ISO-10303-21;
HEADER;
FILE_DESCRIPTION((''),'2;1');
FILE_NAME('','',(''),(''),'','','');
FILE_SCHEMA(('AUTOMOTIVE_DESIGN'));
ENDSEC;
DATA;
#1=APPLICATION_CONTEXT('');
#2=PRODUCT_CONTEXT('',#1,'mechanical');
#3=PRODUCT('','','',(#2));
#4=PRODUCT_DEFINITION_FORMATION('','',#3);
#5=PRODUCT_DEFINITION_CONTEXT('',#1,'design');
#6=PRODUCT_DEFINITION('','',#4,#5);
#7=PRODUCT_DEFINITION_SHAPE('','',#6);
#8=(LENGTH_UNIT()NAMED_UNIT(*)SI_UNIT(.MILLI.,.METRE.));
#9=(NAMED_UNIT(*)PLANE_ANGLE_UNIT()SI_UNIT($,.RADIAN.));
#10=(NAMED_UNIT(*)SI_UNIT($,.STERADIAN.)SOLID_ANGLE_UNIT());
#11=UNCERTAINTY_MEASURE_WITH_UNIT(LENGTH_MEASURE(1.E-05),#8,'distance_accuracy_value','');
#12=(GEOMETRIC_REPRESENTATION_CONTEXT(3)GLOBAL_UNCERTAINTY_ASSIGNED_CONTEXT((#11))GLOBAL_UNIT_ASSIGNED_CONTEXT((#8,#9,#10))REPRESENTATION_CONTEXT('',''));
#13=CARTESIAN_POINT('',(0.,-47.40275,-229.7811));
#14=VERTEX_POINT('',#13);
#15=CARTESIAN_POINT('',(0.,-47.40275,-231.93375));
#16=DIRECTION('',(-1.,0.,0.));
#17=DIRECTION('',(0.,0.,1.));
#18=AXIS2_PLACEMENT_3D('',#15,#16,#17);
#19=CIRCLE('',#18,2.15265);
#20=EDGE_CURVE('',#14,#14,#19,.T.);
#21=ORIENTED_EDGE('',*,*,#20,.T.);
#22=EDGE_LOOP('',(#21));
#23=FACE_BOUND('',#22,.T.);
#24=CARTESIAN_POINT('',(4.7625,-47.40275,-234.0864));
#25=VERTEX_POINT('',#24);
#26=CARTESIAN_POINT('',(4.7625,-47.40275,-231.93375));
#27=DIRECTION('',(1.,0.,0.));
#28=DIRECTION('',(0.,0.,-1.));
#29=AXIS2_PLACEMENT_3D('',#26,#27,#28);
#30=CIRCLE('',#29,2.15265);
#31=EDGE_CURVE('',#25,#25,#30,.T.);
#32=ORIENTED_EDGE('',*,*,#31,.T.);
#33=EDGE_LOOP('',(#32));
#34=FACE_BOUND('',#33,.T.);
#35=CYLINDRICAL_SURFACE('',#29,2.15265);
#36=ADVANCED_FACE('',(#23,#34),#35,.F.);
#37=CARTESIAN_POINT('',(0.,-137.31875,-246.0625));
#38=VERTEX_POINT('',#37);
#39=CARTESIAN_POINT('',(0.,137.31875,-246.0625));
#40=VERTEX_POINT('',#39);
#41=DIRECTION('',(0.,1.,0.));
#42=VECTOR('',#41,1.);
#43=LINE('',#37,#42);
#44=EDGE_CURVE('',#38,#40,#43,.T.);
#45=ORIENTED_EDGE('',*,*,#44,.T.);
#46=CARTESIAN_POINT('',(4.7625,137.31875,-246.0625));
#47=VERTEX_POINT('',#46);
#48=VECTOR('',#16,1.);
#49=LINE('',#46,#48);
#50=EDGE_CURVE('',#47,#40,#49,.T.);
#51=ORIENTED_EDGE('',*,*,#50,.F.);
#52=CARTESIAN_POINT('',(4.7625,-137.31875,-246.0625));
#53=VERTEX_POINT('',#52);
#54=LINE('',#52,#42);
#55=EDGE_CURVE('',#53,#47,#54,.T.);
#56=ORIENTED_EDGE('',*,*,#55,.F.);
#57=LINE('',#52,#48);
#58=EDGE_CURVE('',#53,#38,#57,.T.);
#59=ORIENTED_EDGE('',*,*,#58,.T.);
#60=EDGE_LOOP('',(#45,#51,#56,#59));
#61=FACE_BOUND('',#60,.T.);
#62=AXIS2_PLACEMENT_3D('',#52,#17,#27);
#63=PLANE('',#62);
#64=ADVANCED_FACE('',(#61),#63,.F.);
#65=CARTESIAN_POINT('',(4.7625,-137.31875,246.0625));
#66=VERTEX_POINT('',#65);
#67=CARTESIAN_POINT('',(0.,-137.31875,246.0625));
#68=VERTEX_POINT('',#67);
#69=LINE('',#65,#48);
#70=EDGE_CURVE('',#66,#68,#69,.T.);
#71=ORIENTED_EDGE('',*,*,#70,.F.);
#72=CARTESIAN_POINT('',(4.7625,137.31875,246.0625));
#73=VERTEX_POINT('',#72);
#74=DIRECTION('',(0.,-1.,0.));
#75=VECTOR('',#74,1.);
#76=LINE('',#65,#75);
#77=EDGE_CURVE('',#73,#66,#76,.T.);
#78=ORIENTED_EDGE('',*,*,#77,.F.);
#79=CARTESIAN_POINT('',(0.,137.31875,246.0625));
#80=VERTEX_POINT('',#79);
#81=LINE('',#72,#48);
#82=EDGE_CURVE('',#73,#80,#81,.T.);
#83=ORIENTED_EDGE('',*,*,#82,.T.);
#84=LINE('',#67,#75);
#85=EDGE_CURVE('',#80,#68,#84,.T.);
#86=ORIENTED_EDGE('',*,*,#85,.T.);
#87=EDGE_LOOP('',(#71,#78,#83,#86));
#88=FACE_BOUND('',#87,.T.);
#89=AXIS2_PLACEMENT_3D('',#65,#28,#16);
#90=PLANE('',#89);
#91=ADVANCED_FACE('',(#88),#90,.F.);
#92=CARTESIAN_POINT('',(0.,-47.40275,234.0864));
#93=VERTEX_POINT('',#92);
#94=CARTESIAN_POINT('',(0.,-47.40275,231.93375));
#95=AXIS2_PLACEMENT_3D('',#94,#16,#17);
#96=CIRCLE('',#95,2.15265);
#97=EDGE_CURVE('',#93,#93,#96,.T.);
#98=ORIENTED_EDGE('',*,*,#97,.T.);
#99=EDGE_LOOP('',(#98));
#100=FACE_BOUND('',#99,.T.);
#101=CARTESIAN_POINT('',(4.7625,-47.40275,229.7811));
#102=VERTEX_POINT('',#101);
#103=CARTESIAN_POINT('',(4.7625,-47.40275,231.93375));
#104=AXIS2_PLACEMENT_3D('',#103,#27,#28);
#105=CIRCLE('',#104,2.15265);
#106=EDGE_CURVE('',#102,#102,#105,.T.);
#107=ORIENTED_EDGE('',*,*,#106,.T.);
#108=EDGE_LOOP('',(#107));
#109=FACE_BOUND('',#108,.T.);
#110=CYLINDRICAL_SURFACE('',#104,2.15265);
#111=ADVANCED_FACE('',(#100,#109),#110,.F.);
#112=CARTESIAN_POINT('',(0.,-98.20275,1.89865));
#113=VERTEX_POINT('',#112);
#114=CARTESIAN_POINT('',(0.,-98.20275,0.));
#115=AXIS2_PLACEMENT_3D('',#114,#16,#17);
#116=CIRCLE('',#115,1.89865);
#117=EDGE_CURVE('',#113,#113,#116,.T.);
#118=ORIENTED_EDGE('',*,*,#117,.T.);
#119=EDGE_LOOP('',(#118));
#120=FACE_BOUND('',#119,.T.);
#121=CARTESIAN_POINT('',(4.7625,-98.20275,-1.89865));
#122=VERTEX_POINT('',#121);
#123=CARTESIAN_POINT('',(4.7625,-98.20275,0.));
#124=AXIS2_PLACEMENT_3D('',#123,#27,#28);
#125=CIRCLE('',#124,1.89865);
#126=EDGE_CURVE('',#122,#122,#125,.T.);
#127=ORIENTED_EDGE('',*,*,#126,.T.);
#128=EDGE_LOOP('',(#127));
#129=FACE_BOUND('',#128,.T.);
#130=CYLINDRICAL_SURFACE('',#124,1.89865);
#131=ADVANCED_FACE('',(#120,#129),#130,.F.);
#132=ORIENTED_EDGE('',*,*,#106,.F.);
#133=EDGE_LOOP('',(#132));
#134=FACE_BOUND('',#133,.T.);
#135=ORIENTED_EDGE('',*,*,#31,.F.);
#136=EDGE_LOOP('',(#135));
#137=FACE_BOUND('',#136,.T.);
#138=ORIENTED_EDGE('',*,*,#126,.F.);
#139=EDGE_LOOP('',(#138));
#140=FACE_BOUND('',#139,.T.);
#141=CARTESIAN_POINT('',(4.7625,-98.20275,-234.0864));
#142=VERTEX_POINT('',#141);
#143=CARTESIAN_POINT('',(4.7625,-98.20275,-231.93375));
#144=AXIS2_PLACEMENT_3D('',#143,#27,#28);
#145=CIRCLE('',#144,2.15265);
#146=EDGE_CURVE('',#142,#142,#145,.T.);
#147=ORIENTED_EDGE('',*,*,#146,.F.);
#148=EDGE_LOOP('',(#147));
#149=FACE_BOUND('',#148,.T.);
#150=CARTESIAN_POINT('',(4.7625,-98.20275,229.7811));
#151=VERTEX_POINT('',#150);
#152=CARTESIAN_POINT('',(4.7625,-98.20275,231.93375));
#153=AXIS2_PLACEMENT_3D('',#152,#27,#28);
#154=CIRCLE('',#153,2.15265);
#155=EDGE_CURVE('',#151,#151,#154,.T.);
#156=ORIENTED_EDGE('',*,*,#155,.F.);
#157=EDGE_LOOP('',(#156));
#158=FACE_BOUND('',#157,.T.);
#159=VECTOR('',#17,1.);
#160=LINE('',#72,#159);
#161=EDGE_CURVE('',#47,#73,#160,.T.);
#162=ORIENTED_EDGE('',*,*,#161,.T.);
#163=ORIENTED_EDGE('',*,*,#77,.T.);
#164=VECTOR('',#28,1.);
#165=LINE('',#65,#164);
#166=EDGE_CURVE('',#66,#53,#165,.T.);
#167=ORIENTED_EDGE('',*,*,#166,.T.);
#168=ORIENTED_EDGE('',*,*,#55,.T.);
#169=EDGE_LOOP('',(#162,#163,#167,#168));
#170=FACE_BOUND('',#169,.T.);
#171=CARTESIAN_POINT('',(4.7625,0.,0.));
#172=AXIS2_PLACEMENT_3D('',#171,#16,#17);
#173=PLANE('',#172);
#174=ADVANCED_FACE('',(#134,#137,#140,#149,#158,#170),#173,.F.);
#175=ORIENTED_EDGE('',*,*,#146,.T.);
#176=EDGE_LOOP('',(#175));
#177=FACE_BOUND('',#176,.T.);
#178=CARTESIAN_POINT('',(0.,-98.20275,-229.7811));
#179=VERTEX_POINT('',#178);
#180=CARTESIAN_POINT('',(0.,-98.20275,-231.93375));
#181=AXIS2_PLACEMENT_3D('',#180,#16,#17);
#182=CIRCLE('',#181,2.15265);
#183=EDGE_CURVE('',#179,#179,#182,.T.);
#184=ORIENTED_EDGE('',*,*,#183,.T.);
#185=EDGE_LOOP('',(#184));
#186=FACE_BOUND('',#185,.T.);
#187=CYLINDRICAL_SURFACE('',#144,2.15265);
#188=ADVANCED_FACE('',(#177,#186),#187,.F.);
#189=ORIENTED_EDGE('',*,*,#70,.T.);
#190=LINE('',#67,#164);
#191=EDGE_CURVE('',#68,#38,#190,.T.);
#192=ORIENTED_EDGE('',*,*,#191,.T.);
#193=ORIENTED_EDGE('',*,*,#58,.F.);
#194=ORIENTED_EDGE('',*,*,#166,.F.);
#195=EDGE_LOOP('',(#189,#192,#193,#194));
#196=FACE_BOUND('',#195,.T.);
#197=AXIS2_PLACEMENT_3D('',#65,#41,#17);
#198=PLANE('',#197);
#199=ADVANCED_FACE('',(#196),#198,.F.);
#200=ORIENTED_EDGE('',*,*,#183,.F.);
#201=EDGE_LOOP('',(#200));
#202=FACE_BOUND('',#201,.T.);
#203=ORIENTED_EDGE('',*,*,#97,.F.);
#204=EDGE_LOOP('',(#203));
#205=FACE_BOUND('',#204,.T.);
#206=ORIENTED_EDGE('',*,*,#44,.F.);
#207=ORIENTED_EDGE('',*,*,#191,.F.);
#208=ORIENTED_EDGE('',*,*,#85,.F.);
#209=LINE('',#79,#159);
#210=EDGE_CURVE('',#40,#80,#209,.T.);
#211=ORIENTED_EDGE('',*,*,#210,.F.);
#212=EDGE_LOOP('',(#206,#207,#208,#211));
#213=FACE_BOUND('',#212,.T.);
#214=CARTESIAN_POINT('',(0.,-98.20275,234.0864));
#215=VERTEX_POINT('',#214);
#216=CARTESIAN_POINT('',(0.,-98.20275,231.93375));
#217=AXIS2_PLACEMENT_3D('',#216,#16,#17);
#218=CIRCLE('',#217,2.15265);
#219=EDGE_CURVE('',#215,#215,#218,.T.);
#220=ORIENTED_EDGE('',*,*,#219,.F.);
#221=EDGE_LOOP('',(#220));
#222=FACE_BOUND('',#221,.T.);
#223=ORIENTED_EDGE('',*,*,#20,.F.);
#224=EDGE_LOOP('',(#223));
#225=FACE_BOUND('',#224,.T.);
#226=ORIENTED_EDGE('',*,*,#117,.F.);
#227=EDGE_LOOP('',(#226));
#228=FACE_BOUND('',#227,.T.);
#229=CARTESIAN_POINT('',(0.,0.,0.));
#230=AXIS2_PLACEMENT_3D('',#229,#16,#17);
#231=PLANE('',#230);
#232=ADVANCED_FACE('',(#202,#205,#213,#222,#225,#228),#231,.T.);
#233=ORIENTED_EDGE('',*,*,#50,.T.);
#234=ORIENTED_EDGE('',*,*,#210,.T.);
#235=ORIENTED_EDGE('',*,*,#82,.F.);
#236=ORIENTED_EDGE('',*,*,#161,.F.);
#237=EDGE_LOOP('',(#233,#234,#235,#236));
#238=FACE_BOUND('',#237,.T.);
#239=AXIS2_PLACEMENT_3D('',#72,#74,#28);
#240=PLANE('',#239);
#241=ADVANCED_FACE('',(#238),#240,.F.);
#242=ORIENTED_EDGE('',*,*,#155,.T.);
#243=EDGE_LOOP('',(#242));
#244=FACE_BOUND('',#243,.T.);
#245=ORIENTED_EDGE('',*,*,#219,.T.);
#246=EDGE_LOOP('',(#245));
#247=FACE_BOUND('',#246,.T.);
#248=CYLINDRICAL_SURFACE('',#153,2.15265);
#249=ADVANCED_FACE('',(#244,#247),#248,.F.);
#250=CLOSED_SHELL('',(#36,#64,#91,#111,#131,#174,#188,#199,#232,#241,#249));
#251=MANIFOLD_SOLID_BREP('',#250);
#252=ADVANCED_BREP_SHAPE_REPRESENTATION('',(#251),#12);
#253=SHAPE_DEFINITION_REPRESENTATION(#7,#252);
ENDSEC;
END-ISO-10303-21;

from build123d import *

# Parameters (mm, degrees)
SKETCH1_W                 = 492.125
SKETCH1_H                 = 274.6375
BOSS_EXTRUDE1_DEPTH       = 4.7625
CUT_EXTRUDE1_REACH        = 6.763
BOSS_EXTRUDE2_REACH       = 494.125
SKETCH3_W                 = 4.7625
SKETCH3_H                 = 274.6375
F_8_CLEARANCE_HOLE1_D     = 4.3053
F_8_CLEARANCE_HOLE1_DEPTH = 74.422
F_8_CLEARANCE_HOLE1_TIP   = 1.293442612
F_6_CLEARANCE_HOLE1_D     = 3.7973
F_6_CLEARANCE_HOLE1_DEPTH = 25.4
F_6_CLEARANCE_HOLE1_TIP   = 1.140824014


with BuildPart() as part:
    # Sketch1 → Boss-Extrude1 (new body)
    with BuildSketch(Plane(origin=(0, 0, 0), x_dir=(0, 0, -1), z_dir=(1, 0, 0))):
        Rectangle(SKETCH1_W, SKETCH1_H)
    extrude(amount=BOSS_EXTRUDE1_DEPTH)

    # Sketch2 → Cut-Extrude1 (cut, up to next)
    with BuildSketch(Plane(origin=(4.7625, 0, 0), x_dir=(0, 0, -1), z_dir=(1, 0, 0)), mode=Mode.PRIVATE) as cut_extrude1_sk1:
        Polygon((-24.852813742, -60), (24.852813742, -60), (42.426406871, -42.426406871), (60, -24.852813742), (60, 24.852813742), (24.852813742, 60), (-24.852813742, 60), (-60, 24.852813742), (-60, -24.852813742), align=None)
    cut_extrude1_tool1 = extrude(cut_extrude1_sk1.sketch, amount=-CUT_EXTRUDE1_REACH, mode=Mode.PRIVATE) & part.part
    add(cut_extrude1_tool1.solids().sort_by_distance((4.7625, 0, 0))[0], mode=Mode.SUBTRACT)

    # Sketch3 → Boss-Extrude2 (add, up to next)
    with BuildSketch(Plane.XY.offset(246.0625), mode=Mode.PRIVATE) as boss_extrude2_sk1:
        with Locations((2.38125, 0)):
            Rectangle(SKETCH3_W, SKETCH3_H)
    boss_extrude2_tool1 = extrude(boss_extrude2_sk1.sketch, amount=-BOSS_EXTRUDE2_REACH, mode=Mode.PRIVATE) - part.part
    add(boss_extrude2_tool1.solids().sort_by_distance((2.38125, 0, 246.0625))[0])

    # #8 Clearance Hole1
    with Locations(Plane(origin=(4.7625, 0, 0), x_dir=(0, 0, -1), z_dir=(1, 0, 0))):
        with Locations((-231.93375, -98.20275), (-231.93375, -47.40275), (231.93375, -47.40275), (231.93375, -98.20275)):
            Hole(F_8_CLEARANCE_HOLE1_D / 2, depth=F_8_CLEARANCE_HOLE1_DEPTH)
            with Locations((0, 0, -(F_8_CLEARANCE_HOLE1_DEPTH + F_8_CLEARANCE_HOLE1_TIP / 2))):  # 118° drill point
                Cone(0, F_8_CLEARANCE_HOLE1_D / 2, F_8_CLEARANCE_HOLE1_TIP, mode=Mode.SUBTRACT)

    # #6 Clearance Hole1
    with Locations(Plane(origin=(4.7625, 0, 0), x_dir=(0, 0, -1), z_dir=(1, 0, 0))):
        with Locations((0, -98.20275)):
            Hole(F_6_CLEARANCE_HOLE1_D / 2, depth=F_6_CLEARANCE_HOLE1_DEPTH)
            with Locations((0, 0, -(F_6_CLEARANCE_HOLE1_DEPTH + F_6_CLEARANCE_HOLE1_TIP / 2))):  # 118° drill point
                Cone(0, F_6_CLEARANCE_HOLE1_D / 2, F_6_CLEARANCE_HOLE1_TIP, mode=Mode.SUBTRACT)


solid = part.part
